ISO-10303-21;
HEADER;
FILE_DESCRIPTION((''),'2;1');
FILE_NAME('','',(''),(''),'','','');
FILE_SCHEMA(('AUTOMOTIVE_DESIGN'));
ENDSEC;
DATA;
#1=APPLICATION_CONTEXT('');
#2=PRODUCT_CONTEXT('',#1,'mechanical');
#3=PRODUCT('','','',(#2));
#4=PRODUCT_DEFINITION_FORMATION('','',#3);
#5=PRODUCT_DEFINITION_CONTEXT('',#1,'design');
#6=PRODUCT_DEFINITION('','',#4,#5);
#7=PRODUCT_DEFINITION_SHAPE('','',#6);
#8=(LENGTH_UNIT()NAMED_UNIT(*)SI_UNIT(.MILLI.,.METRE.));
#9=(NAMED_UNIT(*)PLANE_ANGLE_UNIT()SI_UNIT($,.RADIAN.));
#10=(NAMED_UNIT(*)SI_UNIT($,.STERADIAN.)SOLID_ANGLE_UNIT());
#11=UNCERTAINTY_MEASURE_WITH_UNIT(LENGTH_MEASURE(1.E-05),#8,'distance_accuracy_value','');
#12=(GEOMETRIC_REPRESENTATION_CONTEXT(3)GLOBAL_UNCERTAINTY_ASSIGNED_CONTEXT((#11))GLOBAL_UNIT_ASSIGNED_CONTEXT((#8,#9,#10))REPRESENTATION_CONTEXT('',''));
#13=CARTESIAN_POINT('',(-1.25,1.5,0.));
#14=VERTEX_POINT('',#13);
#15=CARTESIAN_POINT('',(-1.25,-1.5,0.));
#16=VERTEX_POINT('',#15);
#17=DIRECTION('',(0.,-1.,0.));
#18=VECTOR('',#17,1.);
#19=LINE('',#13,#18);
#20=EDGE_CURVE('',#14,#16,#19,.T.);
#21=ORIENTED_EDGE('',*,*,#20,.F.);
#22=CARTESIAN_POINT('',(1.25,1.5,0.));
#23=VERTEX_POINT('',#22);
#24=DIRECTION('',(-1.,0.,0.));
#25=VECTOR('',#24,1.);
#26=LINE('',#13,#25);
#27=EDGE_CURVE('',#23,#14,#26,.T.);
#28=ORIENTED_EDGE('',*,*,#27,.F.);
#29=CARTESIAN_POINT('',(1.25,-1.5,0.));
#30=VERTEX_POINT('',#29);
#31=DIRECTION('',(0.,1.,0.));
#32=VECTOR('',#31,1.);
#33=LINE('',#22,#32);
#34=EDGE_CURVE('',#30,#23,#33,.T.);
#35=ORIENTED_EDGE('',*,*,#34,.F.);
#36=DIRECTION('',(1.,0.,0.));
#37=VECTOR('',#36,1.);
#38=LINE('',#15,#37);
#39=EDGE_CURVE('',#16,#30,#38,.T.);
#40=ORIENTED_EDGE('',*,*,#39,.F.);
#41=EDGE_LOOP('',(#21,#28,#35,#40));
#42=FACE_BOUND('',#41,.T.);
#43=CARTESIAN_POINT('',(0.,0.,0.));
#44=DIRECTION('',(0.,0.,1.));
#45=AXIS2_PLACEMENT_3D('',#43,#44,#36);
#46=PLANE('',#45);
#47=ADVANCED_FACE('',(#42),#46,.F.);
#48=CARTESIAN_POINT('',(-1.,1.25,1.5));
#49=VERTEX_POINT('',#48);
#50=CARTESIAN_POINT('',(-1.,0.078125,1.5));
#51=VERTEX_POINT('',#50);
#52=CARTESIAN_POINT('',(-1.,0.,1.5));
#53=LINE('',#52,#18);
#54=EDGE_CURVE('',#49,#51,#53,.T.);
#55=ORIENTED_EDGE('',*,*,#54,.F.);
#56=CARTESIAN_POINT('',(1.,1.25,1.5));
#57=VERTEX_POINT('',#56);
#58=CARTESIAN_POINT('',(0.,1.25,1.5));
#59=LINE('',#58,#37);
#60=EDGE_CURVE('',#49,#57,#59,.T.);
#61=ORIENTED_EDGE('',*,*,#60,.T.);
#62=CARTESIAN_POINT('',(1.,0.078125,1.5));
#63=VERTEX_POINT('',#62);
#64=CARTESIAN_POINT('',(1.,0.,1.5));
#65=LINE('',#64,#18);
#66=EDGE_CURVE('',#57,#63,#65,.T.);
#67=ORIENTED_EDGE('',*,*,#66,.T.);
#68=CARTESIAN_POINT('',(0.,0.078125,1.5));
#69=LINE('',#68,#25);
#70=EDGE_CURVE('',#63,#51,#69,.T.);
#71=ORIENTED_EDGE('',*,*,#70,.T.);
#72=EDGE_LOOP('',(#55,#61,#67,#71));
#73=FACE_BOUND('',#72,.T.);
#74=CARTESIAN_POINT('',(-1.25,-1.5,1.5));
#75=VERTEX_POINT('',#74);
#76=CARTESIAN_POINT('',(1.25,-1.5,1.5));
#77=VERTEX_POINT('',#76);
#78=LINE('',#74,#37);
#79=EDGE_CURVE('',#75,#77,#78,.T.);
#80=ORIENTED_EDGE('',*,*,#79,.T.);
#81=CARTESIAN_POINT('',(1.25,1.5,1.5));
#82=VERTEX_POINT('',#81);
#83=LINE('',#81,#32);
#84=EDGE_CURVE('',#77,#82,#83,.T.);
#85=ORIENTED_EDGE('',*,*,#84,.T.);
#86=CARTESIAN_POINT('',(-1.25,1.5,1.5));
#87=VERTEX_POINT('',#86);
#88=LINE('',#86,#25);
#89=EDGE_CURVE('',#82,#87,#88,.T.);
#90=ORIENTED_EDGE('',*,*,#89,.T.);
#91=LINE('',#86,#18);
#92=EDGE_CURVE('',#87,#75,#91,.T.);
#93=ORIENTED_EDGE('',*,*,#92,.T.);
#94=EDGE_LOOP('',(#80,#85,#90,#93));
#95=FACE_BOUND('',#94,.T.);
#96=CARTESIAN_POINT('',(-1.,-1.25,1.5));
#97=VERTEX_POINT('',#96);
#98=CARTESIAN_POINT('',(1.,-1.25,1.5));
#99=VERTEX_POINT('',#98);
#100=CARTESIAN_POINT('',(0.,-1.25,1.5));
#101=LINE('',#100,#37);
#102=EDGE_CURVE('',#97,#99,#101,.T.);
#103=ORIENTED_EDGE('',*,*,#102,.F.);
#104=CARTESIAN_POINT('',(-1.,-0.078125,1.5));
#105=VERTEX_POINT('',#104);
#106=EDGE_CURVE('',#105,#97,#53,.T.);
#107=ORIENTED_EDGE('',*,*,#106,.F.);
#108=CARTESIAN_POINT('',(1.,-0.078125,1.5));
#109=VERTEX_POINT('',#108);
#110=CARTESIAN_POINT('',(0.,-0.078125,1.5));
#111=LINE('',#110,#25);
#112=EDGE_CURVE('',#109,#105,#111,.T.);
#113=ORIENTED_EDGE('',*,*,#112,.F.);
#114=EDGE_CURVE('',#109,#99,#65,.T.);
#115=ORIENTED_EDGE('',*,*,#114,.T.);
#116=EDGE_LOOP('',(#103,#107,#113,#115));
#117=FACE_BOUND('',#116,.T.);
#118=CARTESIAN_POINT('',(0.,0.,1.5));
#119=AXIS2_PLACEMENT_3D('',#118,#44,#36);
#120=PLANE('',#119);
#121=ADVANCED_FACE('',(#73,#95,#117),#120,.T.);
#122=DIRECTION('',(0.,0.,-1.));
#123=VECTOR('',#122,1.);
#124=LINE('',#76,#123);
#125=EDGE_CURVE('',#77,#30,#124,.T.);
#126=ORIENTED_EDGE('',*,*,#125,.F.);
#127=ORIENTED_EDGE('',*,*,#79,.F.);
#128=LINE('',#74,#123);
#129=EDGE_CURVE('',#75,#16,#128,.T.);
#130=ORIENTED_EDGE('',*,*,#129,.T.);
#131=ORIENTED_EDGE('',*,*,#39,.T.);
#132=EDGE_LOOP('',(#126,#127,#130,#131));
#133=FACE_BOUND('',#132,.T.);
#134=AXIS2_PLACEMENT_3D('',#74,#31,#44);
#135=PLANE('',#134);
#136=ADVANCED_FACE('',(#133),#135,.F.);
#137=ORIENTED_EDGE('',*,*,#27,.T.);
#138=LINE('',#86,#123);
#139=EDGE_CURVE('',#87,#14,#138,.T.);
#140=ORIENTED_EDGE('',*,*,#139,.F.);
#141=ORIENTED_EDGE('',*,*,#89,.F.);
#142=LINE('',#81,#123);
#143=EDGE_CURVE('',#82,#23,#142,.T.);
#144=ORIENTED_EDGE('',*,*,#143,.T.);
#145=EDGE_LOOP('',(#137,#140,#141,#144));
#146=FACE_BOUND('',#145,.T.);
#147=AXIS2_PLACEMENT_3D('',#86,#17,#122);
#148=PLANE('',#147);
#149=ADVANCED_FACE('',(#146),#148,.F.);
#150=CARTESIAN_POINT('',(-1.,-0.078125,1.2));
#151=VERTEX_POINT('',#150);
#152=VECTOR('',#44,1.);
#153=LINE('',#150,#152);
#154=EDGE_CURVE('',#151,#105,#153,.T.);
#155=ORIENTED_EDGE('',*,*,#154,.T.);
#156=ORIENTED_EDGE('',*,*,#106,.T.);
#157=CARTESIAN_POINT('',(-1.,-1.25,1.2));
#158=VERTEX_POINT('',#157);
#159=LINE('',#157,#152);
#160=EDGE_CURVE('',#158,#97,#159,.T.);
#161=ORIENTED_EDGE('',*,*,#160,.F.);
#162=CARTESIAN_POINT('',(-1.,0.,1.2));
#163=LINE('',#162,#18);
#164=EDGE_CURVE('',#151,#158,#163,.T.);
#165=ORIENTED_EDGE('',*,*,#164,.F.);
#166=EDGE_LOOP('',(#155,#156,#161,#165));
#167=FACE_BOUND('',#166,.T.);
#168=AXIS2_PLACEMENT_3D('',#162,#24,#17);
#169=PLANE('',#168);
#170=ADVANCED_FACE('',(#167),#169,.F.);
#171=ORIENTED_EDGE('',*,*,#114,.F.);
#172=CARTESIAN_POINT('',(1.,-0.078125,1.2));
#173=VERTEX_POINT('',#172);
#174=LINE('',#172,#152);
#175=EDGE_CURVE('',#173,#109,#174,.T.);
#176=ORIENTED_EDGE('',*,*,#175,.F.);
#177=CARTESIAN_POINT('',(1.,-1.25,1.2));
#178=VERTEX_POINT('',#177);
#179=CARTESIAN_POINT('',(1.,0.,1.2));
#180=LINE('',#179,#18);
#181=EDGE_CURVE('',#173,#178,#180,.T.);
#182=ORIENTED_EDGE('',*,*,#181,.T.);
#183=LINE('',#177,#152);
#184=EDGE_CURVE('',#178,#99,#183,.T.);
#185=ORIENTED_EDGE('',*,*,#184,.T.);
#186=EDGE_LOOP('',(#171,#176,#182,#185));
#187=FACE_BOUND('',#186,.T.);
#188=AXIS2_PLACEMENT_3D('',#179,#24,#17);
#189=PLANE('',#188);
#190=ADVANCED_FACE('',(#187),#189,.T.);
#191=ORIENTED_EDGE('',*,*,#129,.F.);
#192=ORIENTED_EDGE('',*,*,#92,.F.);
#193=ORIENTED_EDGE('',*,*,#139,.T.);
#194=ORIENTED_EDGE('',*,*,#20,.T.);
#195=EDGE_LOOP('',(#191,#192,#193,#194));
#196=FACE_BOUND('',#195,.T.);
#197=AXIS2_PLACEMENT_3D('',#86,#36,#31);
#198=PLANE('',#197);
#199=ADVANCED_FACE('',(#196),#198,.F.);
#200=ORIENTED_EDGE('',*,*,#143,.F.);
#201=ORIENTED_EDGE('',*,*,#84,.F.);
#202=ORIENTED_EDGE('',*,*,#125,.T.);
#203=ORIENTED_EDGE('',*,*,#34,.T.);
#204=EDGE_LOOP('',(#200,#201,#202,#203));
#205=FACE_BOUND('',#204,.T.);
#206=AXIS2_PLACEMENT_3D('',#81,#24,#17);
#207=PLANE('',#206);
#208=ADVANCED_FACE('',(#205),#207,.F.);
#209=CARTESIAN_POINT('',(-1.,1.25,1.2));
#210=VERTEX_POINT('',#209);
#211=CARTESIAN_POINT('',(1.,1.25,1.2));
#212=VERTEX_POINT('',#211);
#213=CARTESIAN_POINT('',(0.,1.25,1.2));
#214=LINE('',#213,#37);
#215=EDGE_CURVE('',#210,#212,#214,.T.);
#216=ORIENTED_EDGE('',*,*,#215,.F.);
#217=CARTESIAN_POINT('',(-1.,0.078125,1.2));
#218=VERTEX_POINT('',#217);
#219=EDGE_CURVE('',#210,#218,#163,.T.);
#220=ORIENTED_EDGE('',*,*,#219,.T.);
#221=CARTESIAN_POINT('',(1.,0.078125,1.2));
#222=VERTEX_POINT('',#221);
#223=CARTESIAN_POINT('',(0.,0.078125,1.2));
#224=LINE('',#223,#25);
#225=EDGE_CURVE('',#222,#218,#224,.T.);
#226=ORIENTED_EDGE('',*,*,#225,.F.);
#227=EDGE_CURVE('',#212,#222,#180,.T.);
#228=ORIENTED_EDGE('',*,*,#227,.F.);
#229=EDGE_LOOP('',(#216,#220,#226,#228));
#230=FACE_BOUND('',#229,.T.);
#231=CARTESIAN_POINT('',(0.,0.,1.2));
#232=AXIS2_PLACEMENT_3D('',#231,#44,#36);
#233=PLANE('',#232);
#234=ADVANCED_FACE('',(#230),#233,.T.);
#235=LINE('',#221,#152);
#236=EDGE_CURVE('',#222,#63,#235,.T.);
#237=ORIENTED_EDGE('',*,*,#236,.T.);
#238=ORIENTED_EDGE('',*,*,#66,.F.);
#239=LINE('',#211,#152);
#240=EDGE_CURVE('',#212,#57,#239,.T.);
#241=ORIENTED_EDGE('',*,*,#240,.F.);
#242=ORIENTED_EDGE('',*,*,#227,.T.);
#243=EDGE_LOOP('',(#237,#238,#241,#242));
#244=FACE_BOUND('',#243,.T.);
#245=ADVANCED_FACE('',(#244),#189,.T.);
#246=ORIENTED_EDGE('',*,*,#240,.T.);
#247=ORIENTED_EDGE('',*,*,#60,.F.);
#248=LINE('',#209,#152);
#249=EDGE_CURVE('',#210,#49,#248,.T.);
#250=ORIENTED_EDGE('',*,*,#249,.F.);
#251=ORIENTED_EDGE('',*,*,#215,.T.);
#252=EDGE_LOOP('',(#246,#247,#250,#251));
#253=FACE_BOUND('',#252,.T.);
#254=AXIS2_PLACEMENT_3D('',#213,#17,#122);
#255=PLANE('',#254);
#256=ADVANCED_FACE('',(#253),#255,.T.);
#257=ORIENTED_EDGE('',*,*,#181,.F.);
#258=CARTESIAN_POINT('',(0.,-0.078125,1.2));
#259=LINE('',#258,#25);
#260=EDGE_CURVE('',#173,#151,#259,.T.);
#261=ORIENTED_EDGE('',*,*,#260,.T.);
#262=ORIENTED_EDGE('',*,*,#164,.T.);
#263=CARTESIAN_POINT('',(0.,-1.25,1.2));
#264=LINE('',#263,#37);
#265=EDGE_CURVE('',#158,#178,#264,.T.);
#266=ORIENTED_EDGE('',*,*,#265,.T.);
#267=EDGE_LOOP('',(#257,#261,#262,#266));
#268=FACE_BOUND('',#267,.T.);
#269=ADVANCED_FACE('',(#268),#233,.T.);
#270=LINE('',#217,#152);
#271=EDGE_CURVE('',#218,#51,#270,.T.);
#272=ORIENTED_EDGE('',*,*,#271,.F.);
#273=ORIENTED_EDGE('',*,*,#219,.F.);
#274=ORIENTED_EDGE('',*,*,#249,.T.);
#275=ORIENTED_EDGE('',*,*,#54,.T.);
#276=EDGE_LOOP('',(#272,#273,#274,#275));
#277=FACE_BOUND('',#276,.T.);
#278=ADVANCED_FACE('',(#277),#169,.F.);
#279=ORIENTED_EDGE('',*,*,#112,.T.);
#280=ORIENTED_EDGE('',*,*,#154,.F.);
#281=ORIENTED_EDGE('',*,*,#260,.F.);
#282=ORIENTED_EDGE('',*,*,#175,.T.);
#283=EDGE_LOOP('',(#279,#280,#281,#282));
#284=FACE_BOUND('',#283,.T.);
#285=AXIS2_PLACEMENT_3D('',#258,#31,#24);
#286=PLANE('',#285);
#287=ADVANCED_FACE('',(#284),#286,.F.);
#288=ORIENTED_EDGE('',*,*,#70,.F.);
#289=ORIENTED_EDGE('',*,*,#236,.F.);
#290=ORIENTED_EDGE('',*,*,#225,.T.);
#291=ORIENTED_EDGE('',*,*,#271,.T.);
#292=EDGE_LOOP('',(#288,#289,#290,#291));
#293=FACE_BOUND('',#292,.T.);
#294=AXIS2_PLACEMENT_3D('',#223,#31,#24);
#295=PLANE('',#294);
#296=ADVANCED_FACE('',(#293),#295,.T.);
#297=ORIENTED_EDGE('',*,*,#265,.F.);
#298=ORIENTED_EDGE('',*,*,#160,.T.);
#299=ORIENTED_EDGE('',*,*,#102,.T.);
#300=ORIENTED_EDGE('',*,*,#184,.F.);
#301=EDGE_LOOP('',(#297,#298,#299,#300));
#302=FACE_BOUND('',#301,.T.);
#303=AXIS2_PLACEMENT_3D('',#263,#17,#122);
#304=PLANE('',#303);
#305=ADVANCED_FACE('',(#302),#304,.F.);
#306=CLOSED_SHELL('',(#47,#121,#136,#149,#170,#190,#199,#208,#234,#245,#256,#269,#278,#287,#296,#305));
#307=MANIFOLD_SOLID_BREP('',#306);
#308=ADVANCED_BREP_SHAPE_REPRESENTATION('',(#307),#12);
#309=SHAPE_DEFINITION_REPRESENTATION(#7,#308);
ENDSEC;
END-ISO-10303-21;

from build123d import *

# Parameters (mm, degrees)
CROQUIS2_W              = 2.5
CROQUIS2_H              = 3
SALIENTE_EXTRUIR1_DEPTH = 1.5
CROQUIS3_W              = 2
CROQUIS3_H              = 1.171875
CORTAR_EXTRUIR1_DEPTH   = 0.3


with BuildPart() as part:
    # Croquis2 → Saliente-Extruir1 (new body)
    with BuildSketch(Plane.XY):
        Rectangle(CROQUIS2_W, CROQUIS2_H)
    extrude(amount=SALIENTE_EXTRUIR1_DEPTH)

    # Croquis3 → Cortar-Extruir1 (cut)
    with BuildSketch(Plane.XY.offset(1.5)):
        Polygon((1, 1.25), (-1, 1.25), (-1, 0.078125), (1, 0.078125), (1, 0.15625), (1, 0.3125), (1, 0.625), align=None)
        with Locations((0, -0.6640625)):
            Rectangle(CROQUIS3_W, CROQUIS3_H)
    extrude(amount=-CORTAR_EXTRUIR1_DEPTH, mode=Mode.SUBTRACT)


solid = part.part
